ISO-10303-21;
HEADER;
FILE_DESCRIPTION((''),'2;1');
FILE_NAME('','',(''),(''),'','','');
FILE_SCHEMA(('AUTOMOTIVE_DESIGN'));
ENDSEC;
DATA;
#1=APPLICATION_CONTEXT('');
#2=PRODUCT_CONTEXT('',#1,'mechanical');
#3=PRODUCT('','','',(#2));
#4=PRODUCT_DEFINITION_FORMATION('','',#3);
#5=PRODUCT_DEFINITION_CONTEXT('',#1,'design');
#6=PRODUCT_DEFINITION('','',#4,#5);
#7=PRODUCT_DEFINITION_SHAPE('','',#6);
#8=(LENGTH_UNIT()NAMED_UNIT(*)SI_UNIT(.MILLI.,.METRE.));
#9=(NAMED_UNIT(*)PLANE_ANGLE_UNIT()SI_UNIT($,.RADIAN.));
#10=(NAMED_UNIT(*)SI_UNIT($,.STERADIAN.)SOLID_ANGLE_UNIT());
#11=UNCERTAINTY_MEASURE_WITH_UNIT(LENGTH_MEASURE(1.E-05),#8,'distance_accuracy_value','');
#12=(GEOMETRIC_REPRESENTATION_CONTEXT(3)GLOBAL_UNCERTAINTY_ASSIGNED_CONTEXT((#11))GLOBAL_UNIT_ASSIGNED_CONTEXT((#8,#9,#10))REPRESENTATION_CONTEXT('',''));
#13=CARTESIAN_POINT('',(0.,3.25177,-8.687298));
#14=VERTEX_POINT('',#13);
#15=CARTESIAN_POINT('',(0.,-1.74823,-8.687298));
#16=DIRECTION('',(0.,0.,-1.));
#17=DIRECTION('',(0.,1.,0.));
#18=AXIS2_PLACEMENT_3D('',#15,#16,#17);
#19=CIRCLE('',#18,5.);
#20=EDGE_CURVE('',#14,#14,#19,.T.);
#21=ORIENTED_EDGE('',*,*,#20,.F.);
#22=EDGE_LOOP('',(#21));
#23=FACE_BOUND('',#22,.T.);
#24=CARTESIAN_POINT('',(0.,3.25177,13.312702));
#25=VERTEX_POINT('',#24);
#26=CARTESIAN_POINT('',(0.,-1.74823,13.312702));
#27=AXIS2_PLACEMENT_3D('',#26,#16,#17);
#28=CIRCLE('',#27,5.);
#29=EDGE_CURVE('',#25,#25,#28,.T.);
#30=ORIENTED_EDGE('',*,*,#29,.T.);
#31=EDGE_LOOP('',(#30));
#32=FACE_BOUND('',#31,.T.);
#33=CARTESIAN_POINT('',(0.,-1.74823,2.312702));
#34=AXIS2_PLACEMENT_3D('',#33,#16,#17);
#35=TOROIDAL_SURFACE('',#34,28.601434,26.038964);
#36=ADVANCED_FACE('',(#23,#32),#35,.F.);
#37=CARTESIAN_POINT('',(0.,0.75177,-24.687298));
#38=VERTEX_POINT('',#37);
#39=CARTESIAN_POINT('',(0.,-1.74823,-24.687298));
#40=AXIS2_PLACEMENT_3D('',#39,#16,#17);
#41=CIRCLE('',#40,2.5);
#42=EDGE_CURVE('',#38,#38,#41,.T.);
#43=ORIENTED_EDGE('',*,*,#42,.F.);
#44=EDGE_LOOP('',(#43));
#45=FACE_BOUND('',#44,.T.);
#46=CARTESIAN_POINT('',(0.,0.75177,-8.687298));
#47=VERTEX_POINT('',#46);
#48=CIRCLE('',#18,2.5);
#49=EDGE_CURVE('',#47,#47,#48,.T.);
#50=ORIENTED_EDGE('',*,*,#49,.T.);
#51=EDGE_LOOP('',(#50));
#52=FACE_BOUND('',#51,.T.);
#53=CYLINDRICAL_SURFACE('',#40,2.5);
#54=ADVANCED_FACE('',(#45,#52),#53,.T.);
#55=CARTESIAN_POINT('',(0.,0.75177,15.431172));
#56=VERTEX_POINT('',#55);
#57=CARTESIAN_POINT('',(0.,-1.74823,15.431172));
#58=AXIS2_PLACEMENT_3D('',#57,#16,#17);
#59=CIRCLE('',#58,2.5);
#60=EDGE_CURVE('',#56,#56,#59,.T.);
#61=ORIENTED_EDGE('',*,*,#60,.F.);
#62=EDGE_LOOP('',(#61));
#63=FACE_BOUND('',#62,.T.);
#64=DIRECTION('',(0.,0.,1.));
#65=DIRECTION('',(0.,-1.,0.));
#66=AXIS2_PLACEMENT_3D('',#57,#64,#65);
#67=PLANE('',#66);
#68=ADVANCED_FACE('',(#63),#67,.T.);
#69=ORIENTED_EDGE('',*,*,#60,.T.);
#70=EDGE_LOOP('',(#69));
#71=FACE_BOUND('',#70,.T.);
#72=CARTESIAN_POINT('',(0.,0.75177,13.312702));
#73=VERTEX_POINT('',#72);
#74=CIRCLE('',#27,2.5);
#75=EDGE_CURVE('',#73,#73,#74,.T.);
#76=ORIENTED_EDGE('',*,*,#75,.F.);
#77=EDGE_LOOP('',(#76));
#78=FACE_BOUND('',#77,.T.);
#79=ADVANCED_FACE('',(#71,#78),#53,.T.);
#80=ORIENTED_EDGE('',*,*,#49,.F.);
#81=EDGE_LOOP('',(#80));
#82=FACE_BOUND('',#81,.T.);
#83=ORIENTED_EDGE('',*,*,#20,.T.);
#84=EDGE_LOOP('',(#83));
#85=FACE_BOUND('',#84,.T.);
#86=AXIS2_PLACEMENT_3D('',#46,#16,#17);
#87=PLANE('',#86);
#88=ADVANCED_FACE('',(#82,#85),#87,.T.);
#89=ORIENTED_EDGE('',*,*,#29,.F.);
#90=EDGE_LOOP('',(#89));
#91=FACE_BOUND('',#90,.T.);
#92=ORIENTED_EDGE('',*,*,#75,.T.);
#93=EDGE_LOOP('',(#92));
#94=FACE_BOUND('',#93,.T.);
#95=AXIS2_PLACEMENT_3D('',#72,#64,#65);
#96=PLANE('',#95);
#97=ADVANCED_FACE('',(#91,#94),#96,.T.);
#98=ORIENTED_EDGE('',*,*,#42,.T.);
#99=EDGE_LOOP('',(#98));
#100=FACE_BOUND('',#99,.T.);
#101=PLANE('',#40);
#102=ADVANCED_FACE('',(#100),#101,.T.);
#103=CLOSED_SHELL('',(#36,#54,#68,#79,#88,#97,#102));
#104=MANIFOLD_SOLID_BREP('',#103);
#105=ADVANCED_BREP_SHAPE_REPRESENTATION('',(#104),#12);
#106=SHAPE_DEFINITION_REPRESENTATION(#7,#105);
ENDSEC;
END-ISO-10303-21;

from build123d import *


with BuildPart() as part:
    # Szkic1 → Obrót1 (revolve)
    with BuildSketch(Plane(origin=(0, 0, 0), x_dir=(0, 0, -1), z_dir=(1, 0, 0))):
        with BuildLine():
            Line((24.687298198, -1.748229667), (-13.312701802, -1.748229667))
            Line((-13.312701802, -1.748229667), (-15.431171619, -1.748229667))
            Line((-15.431171619, -1.748229667), (-15.431171619, 0.751770333))
            Line((-15.431171619, 0.751770333), (-13.312701802, 0.751770333))
            Line((-13.312701802, 0.751770333), (-13.312701802, 3.251770333))
            ThreePointArc((-13.312701802, 3.251770333), (-2.312701802, 0.814239523), (8.687298198, 3.251770333))
            Line((8.687298198, 3.251770333), (8.687298198, 0.751770333))
            Line((8.687298198, 0.751770333), (24.687298198, 0.751770333))
            Line((24.687298198, 0.751770333), (24.687298198, -1.748229667))
        make_face()
    revolve(axis=Axis((0, -1.748229667, -24.687298198), (0, 0, 1)))


solid = part.part
